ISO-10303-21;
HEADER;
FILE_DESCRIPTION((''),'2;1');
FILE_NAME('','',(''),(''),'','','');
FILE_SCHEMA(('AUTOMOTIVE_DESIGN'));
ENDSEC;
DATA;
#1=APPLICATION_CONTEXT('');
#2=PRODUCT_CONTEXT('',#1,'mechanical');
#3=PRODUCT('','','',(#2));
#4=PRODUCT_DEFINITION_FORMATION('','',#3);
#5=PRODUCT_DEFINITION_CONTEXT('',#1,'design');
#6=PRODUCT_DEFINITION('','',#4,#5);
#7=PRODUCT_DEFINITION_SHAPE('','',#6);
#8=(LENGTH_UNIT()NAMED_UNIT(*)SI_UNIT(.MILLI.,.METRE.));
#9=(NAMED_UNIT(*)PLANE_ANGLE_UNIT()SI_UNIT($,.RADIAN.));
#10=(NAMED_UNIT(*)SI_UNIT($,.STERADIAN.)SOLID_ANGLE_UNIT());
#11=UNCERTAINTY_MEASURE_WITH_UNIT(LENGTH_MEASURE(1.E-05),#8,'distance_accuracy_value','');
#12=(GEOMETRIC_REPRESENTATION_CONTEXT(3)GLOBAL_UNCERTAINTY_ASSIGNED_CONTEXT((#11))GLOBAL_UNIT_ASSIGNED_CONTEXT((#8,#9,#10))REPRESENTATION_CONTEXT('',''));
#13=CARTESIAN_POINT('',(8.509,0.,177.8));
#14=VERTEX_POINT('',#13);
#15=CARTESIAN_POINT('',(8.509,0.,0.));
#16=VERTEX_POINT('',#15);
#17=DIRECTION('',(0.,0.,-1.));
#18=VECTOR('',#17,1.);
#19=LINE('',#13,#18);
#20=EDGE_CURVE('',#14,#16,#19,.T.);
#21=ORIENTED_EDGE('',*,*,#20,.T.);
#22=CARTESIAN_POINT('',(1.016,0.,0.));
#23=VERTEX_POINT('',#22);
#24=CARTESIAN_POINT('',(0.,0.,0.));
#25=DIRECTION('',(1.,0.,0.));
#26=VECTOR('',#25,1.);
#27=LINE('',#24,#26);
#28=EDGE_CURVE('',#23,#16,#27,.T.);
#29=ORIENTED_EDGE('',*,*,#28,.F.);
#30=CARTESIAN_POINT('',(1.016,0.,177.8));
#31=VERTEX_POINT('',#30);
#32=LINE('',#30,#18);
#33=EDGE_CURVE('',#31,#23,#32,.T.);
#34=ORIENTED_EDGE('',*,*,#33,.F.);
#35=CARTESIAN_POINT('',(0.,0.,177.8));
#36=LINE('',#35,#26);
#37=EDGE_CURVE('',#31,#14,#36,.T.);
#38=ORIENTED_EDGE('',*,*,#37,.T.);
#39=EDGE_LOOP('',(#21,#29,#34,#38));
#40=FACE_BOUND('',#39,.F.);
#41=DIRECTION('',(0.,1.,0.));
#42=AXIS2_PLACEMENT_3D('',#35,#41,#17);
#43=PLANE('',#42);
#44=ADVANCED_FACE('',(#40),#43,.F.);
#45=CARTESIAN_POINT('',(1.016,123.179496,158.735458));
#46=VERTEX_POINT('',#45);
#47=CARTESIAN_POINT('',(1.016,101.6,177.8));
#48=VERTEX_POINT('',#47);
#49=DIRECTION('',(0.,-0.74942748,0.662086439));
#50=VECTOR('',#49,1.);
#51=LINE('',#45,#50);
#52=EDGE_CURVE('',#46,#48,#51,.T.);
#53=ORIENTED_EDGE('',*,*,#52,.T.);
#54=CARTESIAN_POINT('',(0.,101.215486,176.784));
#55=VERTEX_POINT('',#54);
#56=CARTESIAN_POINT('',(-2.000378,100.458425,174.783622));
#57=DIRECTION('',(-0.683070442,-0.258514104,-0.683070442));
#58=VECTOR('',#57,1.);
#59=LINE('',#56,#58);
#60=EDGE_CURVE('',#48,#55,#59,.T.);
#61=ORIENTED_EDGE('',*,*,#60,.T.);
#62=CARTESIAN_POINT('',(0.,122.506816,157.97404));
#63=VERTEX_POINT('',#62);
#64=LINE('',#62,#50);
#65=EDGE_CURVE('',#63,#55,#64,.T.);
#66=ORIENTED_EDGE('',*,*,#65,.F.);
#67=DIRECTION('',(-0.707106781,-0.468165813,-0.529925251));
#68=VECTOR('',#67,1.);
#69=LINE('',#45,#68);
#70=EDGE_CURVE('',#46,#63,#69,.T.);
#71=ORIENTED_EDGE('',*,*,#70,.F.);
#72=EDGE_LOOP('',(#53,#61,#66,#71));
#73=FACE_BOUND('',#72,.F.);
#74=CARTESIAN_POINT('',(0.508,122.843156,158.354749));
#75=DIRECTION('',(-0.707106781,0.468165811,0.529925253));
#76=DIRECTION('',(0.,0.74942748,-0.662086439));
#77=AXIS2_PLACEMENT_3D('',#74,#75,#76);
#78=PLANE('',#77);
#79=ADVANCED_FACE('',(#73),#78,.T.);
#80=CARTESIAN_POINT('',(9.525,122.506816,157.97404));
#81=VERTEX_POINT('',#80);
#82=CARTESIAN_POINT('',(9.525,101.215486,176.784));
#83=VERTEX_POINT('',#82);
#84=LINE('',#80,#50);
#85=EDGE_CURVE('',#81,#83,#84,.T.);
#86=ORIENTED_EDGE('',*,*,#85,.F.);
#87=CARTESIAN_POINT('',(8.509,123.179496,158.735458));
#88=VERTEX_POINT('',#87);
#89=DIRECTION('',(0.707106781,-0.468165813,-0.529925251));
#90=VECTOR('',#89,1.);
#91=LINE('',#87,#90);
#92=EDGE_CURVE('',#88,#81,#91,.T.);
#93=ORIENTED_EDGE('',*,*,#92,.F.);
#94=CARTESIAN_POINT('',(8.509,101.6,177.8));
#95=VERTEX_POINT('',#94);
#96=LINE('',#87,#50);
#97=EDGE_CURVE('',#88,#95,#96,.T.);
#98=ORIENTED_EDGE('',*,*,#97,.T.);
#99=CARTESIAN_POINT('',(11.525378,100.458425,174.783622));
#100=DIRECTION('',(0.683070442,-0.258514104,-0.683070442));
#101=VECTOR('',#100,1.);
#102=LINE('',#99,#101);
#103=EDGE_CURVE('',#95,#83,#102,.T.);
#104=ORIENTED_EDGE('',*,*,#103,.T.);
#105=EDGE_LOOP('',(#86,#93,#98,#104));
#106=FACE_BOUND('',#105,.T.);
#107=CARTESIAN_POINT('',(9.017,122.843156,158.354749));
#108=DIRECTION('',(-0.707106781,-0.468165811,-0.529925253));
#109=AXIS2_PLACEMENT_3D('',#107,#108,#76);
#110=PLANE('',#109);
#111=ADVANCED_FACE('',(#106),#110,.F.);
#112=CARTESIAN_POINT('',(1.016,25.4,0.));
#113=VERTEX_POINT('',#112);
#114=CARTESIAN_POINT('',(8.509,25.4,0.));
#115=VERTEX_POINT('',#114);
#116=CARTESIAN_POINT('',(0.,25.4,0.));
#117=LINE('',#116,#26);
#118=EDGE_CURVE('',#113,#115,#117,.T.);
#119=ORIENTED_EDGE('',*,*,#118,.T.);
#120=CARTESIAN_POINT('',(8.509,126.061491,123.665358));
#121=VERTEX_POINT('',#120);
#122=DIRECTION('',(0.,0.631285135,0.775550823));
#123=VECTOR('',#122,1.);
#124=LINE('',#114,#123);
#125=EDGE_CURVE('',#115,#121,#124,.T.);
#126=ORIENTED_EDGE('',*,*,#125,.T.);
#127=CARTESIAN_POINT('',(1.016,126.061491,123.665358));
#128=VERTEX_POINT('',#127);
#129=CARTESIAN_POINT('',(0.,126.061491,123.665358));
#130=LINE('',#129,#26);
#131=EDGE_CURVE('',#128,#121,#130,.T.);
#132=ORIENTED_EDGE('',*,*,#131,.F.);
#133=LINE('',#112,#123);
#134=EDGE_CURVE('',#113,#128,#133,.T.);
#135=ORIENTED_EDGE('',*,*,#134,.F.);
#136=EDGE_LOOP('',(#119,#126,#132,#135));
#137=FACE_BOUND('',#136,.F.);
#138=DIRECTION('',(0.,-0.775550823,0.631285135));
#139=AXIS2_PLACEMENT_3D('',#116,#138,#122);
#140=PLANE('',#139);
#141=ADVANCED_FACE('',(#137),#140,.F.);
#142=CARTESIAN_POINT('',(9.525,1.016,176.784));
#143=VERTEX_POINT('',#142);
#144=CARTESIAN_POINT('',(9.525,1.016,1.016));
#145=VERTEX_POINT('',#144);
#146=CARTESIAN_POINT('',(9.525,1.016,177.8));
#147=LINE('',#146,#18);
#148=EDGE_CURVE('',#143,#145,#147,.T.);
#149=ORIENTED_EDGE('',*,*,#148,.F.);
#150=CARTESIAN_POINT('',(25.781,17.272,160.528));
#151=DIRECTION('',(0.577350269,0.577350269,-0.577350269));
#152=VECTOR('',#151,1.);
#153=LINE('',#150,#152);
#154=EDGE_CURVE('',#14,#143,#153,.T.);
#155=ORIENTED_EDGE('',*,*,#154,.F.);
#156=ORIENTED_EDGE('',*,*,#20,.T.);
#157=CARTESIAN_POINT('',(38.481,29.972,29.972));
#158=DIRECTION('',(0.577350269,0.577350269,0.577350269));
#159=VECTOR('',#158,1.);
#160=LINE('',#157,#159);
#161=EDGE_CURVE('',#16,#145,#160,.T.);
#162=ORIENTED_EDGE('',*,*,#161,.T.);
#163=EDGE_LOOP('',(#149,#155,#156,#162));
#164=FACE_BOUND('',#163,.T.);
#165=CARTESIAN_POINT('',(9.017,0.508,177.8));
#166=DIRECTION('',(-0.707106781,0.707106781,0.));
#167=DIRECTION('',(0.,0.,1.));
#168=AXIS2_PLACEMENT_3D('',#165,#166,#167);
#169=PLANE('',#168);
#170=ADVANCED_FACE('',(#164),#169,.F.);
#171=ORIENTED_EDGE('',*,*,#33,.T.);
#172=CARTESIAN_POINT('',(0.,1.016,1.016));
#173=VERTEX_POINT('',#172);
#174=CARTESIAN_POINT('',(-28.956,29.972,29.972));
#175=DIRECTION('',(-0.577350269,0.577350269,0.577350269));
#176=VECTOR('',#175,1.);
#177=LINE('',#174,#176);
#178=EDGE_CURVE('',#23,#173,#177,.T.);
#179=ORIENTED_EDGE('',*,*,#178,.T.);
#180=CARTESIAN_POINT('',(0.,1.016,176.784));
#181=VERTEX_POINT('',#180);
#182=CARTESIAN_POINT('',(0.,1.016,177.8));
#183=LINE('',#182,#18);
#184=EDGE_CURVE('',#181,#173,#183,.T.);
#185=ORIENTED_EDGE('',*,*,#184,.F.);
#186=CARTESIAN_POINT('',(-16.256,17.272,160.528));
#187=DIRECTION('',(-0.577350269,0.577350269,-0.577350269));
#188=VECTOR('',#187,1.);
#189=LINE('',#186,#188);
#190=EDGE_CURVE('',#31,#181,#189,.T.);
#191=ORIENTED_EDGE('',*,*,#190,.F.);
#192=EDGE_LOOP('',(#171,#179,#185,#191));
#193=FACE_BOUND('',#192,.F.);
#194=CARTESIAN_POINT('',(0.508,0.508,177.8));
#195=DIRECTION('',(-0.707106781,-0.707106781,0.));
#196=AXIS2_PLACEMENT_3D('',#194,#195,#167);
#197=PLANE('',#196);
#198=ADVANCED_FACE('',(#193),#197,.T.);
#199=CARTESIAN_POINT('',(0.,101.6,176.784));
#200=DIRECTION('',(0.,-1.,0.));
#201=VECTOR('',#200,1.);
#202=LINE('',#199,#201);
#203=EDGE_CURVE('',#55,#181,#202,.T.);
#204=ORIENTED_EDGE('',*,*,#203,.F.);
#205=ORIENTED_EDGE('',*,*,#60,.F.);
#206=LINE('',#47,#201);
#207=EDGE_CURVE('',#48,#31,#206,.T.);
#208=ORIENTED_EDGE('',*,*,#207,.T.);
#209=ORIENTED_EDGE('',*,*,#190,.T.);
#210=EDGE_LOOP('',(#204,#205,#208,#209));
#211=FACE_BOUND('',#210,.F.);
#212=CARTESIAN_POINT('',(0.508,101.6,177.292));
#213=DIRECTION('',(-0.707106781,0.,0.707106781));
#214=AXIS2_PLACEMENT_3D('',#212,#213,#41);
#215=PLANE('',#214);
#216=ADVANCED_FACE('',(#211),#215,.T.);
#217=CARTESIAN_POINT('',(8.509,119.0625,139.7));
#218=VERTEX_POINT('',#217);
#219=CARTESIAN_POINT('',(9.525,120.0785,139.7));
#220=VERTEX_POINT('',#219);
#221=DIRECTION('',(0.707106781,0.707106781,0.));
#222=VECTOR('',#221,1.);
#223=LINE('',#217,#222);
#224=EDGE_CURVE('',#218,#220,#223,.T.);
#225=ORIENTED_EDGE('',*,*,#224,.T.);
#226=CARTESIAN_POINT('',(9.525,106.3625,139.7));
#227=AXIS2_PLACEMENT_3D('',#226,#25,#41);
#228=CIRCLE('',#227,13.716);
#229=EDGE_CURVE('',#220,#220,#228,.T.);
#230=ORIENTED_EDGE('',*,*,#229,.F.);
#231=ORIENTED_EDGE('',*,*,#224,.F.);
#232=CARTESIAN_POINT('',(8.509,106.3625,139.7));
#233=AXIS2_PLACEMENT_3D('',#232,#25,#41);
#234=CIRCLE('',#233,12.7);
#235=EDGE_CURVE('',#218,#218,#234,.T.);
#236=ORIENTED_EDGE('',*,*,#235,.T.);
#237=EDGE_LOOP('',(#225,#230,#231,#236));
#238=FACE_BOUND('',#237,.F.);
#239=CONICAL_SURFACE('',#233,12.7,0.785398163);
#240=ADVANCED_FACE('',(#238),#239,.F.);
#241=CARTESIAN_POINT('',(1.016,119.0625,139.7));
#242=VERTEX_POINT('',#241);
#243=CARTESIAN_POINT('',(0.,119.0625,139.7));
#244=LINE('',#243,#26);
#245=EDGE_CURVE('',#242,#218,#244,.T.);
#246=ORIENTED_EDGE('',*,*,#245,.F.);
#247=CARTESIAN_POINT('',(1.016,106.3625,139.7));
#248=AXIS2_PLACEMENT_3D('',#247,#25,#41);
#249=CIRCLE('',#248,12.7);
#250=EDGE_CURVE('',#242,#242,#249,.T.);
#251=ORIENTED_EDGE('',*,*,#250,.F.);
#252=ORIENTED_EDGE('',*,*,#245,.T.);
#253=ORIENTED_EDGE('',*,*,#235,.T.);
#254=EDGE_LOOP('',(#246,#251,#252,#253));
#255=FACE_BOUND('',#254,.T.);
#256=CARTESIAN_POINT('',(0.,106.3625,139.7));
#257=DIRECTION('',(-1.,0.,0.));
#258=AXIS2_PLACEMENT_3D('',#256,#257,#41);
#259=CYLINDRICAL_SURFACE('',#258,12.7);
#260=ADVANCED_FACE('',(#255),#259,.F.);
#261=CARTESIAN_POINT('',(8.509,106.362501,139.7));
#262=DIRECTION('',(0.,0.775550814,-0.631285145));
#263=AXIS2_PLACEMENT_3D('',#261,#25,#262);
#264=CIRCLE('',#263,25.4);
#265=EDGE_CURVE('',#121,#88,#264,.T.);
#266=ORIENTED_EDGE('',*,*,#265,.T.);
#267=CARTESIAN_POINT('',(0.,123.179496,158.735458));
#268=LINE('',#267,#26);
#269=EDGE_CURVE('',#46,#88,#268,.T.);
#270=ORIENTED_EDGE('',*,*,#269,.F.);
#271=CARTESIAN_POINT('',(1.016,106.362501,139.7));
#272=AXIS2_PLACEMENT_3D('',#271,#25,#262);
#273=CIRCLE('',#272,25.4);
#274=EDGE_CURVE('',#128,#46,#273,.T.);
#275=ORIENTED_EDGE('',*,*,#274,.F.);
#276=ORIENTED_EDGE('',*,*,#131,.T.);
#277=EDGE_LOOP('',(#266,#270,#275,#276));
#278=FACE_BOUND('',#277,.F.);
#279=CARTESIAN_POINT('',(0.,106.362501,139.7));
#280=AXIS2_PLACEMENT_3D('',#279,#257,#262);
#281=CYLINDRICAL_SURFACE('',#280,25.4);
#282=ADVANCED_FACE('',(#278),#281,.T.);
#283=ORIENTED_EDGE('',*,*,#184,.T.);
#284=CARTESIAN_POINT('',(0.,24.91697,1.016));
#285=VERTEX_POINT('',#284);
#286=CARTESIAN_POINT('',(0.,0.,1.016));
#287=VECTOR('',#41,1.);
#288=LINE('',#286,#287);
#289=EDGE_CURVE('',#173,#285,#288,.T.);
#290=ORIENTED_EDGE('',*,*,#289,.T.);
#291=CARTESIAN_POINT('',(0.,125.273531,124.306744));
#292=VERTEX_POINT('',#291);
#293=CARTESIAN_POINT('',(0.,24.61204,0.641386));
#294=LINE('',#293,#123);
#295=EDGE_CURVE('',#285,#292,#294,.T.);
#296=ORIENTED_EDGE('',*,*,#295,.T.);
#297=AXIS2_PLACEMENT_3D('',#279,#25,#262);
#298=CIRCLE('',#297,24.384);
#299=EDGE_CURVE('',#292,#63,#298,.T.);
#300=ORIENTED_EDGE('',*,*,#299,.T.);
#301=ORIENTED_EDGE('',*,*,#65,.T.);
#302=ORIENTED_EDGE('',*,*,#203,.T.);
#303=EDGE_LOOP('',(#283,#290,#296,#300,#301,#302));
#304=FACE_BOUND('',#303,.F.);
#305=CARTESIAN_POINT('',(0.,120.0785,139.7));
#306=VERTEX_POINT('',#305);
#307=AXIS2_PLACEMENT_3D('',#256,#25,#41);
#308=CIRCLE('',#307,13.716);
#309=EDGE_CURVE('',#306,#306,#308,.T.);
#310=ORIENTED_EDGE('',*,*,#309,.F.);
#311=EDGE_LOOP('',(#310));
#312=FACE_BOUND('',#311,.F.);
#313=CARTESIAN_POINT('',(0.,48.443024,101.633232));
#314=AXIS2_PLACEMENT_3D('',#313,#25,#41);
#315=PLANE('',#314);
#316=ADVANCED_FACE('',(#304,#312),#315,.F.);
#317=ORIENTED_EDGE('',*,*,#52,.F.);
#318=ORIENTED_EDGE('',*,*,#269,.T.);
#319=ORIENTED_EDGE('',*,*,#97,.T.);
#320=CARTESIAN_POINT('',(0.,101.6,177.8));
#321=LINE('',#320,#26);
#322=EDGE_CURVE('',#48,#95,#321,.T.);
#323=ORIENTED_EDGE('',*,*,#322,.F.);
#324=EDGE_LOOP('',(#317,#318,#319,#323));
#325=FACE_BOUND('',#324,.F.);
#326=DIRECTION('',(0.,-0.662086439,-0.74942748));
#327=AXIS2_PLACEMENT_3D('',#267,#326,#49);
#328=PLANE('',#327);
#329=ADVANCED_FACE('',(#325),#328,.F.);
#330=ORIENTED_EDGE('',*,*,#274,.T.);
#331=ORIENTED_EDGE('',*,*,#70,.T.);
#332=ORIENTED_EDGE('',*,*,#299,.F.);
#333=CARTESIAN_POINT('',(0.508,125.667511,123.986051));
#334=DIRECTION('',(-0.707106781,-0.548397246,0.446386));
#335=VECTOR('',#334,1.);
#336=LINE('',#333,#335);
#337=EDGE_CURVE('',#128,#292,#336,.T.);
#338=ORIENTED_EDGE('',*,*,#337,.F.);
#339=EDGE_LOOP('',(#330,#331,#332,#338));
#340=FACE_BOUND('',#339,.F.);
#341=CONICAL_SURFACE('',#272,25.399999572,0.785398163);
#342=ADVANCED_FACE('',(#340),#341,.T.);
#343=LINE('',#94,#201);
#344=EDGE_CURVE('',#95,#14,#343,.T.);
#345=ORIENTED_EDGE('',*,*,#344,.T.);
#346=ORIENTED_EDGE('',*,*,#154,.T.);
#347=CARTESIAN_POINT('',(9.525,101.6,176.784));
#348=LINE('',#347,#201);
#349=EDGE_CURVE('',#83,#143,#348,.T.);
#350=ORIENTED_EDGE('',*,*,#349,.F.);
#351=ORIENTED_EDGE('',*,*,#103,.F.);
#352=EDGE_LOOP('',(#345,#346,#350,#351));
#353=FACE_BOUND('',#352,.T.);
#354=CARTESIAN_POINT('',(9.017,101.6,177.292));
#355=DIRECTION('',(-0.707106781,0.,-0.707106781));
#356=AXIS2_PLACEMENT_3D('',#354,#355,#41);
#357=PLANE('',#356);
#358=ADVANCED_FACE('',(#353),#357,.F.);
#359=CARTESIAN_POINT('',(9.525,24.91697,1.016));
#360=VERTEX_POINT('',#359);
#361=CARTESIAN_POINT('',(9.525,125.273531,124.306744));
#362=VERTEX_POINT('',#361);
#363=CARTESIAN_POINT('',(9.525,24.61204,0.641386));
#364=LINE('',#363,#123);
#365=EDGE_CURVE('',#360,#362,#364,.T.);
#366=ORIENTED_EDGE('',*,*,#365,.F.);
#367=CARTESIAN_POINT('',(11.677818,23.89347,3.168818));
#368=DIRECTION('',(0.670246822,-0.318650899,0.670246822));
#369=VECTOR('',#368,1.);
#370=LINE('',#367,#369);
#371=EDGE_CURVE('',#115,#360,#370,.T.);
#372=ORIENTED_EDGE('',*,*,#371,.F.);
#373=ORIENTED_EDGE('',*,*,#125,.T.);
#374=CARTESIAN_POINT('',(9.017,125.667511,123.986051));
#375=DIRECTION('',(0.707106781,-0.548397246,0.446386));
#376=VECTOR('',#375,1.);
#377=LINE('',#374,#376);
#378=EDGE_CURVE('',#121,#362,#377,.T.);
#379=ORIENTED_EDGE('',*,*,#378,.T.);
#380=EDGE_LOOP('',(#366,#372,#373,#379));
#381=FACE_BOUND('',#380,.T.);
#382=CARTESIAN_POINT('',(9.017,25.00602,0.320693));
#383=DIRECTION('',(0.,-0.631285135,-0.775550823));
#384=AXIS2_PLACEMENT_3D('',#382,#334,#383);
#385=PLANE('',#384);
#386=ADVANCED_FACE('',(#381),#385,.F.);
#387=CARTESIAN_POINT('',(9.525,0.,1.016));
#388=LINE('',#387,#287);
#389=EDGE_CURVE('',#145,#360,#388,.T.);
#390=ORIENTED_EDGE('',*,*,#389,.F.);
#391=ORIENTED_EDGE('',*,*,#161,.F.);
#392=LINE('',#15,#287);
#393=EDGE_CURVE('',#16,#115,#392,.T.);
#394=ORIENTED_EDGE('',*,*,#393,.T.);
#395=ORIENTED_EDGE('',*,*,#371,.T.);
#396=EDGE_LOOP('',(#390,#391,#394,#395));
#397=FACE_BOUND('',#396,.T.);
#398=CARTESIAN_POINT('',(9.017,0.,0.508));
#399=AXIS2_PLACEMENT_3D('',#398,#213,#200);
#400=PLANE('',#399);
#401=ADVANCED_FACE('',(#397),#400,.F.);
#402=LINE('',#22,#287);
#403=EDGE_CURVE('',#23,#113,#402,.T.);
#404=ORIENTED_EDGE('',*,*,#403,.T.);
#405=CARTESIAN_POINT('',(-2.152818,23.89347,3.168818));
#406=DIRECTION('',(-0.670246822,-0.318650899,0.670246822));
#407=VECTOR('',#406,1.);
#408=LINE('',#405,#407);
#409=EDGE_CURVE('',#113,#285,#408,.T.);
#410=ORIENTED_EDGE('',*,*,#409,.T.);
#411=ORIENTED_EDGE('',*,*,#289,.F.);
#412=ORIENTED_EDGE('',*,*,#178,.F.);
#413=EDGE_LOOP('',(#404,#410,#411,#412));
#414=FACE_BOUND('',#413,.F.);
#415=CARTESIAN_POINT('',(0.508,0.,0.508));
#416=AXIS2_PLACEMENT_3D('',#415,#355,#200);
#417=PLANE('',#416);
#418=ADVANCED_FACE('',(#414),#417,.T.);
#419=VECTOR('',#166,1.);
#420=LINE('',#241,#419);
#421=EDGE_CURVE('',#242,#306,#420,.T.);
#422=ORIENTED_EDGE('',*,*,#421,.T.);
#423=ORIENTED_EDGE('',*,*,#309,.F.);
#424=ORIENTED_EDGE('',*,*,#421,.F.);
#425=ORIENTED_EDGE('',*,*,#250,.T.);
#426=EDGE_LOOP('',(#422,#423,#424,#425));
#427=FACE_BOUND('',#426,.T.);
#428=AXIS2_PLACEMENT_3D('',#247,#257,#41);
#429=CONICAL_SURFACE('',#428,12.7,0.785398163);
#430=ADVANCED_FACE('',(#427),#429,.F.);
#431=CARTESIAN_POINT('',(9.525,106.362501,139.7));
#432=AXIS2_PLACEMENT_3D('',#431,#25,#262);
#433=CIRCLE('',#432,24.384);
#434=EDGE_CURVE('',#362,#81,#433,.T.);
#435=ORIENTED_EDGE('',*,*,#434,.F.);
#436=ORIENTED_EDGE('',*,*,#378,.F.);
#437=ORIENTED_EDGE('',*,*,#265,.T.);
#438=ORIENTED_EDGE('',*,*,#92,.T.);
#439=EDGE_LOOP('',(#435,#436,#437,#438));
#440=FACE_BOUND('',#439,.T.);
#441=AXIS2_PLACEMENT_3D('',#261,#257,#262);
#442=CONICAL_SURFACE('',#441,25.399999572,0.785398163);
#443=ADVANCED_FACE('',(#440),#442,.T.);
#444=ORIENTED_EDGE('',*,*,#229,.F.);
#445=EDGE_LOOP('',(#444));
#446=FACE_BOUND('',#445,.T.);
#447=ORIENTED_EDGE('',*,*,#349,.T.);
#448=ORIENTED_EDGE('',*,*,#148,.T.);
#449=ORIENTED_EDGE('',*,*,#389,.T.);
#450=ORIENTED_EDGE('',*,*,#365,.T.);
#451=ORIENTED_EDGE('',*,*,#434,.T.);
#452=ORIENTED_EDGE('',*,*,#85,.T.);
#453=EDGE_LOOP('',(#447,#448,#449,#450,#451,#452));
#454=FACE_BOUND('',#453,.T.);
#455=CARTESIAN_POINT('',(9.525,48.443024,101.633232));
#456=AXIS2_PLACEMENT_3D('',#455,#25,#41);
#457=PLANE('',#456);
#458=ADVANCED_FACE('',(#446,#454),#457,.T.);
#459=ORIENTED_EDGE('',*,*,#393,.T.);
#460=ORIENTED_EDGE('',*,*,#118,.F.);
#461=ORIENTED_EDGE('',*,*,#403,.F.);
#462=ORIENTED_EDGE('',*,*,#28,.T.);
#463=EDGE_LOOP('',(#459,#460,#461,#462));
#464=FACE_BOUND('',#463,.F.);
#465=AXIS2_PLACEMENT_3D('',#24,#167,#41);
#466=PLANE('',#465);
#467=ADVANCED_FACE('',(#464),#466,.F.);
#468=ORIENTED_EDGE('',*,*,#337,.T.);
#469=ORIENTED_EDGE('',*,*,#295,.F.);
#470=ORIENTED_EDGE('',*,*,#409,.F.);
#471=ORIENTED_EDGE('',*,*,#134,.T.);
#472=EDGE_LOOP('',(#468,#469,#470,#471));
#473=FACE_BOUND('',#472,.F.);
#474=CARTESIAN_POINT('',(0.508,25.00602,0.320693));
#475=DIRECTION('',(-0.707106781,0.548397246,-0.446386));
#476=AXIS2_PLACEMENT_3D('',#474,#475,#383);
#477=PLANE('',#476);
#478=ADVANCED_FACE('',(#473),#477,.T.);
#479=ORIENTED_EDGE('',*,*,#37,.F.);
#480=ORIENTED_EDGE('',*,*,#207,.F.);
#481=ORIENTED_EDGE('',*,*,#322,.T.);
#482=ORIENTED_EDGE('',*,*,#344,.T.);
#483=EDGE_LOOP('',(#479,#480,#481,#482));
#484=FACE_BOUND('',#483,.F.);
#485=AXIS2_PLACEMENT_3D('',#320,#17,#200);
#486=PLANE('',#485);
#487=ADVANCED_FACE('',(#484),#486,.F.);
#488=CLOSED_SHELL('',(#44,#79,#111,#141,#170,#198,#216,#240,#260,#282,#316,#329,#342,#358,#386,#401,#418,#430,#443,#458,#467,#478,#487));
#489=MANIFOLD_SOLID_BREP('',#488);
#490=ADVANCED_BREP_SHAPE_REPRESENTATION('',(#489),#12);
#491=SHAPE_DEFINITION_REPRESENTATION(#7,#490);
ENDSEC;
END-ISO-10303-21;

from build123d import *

# Parameters (mm, degrees)
F0_R     = 12.7
F1_DEPTH = 9.525
F2_SIZE  = 1.016


with BuildPart() as f1:
    # F0 (on Right) → F1 (new body)
    with BuildSketch(Plane.YZ):
        with BuildLine():
            Line((0, 177.8), (0, 0))
            Line((0, 0), (25.4, 0))
            Line((25.4, 0), (126.061491, 123.665358))
            ThreePointArc((126.061491, 123.665358), (131.677166, 141.780312), (123.179496, 158.735458))
            Line((123.179496, 158.735458), (101.6, 177.8))
            Line((101.6, 177.8), (0, 177.8))
        make_face()
        with Locations((106.3625, 139.7)):
            Circle(F0_R, mode=Mode.SUBTRACT)
    extrude(amount=F1_DEPTH)

    # F2
    f2_edges = [f1.edges().sort_by_distance(p)[0] for p in [
        (9.525, 0, 88.9),
        (9.525, 12.7, 0),
        (9.525, 75.730745, 61.832679),
        (9.525, 131.677166, 141.780312),
        (9.525, 112.389748, 168.267729),
        (9.525, 50.8, 177.8),
        (9.525, 93.6625, 139.7),
        (0, 0, 88.9),
        (0, 12.7, 0),
        (0, 75.730745, 61.832679),
        (0, 131.677166, 141.780312),
        (0, 112.389748, 168.267729),
        (0, 50.8, 177.8),
        (0, 93.6625, 139.7),
    ]]
    chamfer(f2_edges, length=F2_SIZE)


solid = f1.part
